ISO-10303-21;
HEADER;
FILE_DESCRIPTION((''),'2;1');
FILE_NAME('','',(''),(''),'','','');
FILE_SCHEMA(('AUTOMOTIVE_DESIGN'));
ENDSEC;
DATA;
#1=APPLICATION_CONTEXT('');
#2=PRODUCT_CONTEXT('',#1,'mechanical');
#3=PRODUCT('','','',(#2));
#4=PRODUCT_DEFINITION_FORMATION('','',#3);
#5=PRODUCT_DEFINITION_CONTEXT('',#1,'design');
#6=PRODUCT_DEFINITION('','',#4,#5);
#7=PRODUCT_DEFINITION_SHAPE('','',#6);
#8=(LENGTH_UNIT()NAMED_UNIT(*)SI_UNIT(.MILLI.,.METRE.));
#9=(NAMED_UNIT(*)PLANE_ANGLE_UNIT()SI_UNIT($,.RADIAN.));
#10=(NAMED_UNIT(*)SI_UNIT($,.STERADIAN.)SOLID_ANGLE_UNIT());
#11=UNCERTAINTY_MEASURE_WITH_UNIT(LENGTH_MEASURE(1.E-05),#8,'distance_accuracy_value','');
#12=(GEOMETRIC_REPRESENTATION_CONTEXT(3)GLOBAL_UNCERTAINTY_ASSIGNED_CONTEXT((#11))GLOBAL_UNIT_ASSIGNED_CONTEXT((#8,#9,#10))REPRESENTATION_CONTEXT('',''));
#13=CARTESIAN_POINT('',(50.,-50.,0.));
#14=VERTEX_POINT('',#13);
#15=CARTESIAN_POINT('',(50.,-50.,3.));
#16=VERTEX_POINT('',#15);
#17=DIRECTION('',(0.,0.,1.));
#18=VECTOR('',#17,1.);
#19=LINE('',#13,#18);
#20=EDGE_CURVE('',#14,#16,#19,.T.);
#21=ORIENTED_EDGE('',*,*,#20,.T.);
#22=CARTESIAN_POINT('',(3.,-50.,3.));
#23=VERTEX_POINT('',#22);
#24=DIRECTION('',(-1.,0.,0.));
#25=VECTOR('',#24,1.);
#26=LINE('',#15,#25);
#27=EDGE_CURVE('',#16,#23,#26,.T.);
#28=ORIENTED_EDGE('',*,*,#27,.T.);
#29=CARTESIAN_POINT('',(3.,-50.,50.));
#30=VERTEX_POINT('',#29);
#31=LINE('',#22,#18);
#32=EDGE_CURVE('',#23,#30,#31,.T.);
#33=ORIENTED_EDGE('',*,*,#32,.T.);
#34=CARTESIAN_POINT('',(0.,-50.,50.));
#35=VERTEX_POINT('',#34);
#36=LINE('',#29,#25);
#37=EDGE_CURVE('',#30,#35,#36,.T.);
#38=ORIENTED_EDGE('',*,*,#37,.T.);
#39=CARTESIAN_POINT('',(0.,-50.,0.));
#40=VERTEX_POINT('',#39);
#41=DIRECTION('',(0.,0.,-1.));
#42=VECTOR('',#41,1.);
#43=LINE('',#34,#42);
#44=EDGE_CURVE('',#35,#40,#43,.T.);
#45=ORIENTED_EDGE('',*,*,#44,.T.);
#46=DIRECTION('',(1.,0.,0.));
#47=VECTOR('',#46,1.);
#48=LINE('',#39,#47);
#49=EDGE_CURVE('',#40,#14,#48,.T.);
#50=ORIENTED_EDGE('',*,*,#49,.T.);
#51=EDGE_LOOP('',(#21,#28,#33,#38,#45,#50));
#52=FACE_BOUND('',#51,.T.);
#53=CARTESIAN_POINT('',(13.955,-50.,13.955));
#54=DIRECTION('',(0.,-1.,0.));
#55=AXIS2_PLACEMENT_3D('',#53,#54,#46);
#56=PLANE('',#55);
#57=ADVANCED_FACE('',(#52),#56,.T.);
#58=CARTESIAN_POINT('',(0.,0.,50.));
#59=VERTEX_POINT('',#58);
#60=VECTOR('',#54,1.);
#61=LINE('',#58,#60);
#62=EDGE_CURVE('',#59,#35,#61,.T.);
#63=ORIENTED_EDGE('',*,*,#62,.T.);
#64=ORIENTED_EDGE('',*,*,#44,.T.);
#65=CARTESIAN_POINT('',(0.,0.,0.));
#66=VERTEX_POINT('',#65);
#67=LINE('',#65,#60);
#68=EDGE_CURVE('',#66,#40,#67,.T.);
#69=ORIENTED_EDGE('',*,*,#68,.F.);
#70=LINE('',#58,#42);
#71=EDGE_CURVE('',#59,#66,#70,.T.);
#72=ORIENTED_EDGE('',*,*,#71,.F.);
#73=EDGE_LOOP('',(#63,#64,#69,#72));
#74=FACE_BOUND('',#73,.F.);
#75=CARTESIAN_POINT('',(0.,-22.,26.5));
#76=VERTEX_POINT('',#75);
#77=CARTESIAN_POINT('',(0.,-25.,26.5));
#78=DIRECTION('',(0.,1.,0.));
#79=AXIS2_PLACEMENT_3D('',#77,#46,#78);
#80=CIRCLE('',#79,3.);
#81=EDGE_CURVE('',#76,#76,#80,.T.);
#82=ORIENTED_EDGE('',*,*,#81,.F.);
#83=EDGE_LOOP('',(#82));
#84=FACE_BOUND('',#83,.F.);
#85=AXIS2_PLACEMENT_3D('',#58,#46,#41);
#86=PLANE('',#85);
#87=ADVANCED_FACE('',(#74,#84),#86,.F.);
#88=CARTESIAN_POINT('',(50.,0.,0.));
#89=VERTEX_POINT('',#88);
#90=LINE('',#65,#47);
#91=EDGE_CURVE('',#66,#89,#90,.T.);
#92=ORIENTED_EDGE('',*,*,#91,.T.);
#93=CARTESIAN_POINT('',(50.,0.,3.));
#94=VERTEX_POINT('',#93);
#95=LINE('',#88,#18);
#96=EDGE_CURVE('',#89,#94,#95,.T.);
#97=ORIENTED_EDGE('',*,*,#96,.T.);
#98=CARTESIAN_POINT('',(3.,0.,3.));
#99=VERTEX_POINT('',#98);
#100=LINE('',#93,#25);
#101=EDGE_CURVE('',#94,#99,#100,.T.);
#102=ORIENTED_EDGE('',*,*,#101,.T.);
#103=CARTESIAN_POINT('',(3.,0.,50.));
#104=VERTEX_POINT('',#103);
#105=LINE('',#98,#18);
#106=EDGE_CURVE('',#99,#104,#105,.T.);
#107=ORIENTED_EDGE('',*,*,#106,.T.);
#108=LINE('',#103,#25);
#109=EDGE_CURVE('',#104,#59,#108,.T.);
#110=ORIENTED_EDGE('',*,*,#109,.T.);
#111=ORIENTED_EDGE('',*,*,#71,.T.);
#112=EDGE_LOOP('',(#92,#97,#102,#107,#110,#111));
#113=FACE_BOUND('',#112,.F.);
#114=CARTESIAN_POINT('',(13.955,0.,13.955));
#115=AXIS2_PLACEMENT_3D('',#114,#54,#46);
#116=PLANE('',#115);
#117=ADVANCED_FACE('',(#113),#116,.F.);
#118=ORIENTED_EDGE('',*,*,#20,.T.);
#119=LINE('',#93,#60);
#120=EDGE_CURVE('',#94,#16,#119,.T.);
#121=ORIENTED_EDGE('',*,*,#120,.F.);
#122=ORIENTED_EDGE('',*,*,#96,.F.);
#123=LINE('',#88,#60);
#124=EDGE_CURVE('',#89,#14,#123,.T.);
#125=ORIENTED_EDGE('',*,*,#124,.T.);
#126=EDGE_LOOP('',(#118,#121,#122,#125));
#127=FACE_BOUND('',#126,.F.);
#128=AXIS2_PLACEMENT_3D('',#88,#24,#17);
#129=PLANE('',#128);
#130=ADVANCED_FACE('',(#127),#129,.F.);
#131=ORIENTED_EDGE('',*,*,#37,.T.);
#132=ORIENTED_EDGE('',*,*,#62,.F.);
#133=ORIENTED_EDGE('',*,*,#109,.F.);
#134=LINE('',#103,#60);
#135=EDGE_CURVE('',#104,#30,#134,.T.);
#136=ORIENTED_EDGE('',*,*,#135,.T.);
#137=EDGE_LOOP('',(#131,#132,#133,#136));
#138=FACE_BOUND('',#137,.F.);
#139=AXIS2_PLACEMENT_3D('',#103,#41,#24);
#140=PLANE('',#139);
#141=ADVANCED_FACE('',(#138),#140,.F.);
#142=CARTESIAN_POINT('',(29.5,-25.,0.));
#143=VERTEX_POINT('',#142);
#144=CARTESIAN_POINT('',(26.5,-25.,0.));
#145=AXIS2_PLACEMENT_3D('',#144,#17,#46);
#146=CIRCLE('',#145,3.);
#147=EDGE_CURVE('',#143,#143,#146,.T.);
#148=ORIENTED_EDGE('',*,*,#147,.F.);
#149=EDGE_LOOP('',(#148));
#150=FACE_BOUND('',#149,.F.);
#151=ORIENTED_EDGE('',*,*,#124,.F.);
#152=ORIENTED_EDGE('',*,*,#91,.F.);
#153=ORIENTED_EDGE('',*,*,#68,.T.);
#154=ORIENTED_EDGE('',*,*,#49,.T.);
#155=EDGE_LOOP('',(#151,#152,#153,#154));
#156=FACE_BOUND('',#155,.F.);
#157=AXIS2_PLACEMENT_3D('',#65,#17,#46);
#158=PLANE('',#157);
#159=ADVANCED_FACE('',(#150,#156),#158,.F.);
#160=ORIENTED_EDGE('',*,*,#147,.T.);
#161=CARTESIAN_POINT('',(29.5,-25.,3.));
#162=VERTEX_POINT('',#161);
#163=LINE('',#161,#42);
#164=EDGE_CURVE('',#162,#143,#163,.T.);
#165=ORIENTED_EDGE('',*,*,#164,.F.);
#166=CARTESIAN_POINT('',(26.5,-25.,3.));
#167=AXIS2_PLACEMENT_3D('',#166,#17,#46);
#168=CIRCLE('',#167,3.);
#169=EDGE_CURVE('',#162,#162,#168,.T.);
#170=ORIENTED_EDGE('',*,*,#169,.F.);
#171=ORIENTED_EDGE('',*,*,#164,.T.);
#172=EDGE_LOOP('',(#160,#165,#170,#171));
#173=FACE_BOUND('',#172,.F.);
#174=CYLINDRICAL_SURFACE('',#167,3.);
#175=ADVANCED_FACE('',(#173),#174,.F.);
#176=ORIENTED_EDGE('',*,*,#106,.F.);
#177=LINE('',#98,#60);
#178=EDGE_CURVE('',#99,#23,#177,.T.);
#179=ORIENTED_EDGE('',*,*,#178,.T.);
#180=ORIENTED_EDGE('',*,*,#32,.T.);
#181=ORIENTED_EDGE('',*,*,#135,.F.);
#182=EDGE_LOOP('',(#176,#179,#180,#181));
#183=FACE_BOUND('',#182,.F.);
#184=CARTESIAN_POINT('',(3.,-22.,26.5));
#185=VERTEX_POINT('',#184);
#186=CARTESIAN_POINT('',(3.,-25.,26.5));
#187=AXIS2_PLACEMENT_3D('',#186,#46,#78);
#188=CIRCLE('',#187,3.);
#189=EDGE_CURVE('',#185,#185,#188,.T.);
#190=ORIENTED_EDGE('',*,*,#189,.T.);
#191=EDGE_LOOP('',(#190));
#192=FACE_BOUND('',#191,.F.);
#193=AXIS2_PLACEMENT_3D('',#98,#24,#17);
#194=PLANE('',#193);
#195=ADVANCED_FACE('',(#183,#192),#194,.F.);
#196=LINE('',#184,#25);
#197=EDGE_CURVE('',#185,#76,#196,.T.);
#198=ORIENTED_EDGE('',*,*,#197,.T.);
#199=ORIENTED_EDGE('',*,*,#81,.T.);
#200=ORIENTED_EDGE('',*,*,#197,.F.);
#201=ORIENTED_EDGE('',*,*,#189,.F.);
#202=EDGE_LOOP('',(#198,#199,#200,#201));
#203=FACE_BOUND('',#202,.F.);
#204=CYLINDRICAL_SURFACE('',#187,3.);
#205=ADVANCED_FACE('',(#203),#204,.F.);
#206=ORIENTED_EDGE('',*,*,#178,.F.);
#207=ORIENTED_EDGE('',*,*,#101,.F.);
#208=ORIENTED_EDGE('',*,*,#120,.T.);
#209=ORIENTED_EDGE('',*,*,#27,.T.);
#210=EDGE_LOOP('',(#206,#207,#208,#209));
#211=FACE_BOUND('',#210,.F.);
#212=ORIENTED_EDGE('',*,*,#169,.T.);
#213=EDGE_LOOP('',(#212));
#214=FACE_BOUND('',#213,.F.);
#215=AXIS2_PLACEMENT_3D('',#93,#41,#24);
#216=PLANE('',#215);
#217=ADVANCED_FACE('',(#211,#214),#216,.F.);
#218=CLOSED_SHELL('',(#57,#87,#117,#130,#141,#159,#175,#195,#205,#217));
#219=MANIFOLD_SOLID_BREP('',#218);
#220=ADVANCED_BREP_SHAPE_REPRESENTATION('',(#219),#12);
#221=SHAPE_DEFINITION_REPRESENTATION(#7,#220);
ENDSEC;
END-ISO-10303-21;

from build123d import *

# Parameters (mm, degrees)
F1_DEPTH = 50
F2_R     = 3
F3_DEPTH = 3
F4_R     = 3
F5_DEPTH = 3.001


with BuildPart() as f1:
    # F0 (on Front) → F1 (new body)
    with BuildSketch(Plane.XZ):
        Polygon((0, 50), (0, 0), (50, 0), (50, 3), (3, 3), (3, 50), align=None)
    extrude(amount=F1_DEPTH)

    # F2 (on face) → F3 (cut, through all)
    with BuildSketch(Plane.YZ.offset(3)):
        with Locations((-25, 26.5)):
            Circle(F2_R)
    extrude(amount=-F3_DEPTH, mode=Mode.SUBTRACT)

    # F4 (on face) → F5 (cut, through all)
    with BuildSketch(Plane.XY.offset(3)):
        with Locations((26.5, -25)):
            Circle(F4_R)
    extrude(amount=-F5_DEPTH, mode=Mode.SUBTRACT)


solid = f1.part
